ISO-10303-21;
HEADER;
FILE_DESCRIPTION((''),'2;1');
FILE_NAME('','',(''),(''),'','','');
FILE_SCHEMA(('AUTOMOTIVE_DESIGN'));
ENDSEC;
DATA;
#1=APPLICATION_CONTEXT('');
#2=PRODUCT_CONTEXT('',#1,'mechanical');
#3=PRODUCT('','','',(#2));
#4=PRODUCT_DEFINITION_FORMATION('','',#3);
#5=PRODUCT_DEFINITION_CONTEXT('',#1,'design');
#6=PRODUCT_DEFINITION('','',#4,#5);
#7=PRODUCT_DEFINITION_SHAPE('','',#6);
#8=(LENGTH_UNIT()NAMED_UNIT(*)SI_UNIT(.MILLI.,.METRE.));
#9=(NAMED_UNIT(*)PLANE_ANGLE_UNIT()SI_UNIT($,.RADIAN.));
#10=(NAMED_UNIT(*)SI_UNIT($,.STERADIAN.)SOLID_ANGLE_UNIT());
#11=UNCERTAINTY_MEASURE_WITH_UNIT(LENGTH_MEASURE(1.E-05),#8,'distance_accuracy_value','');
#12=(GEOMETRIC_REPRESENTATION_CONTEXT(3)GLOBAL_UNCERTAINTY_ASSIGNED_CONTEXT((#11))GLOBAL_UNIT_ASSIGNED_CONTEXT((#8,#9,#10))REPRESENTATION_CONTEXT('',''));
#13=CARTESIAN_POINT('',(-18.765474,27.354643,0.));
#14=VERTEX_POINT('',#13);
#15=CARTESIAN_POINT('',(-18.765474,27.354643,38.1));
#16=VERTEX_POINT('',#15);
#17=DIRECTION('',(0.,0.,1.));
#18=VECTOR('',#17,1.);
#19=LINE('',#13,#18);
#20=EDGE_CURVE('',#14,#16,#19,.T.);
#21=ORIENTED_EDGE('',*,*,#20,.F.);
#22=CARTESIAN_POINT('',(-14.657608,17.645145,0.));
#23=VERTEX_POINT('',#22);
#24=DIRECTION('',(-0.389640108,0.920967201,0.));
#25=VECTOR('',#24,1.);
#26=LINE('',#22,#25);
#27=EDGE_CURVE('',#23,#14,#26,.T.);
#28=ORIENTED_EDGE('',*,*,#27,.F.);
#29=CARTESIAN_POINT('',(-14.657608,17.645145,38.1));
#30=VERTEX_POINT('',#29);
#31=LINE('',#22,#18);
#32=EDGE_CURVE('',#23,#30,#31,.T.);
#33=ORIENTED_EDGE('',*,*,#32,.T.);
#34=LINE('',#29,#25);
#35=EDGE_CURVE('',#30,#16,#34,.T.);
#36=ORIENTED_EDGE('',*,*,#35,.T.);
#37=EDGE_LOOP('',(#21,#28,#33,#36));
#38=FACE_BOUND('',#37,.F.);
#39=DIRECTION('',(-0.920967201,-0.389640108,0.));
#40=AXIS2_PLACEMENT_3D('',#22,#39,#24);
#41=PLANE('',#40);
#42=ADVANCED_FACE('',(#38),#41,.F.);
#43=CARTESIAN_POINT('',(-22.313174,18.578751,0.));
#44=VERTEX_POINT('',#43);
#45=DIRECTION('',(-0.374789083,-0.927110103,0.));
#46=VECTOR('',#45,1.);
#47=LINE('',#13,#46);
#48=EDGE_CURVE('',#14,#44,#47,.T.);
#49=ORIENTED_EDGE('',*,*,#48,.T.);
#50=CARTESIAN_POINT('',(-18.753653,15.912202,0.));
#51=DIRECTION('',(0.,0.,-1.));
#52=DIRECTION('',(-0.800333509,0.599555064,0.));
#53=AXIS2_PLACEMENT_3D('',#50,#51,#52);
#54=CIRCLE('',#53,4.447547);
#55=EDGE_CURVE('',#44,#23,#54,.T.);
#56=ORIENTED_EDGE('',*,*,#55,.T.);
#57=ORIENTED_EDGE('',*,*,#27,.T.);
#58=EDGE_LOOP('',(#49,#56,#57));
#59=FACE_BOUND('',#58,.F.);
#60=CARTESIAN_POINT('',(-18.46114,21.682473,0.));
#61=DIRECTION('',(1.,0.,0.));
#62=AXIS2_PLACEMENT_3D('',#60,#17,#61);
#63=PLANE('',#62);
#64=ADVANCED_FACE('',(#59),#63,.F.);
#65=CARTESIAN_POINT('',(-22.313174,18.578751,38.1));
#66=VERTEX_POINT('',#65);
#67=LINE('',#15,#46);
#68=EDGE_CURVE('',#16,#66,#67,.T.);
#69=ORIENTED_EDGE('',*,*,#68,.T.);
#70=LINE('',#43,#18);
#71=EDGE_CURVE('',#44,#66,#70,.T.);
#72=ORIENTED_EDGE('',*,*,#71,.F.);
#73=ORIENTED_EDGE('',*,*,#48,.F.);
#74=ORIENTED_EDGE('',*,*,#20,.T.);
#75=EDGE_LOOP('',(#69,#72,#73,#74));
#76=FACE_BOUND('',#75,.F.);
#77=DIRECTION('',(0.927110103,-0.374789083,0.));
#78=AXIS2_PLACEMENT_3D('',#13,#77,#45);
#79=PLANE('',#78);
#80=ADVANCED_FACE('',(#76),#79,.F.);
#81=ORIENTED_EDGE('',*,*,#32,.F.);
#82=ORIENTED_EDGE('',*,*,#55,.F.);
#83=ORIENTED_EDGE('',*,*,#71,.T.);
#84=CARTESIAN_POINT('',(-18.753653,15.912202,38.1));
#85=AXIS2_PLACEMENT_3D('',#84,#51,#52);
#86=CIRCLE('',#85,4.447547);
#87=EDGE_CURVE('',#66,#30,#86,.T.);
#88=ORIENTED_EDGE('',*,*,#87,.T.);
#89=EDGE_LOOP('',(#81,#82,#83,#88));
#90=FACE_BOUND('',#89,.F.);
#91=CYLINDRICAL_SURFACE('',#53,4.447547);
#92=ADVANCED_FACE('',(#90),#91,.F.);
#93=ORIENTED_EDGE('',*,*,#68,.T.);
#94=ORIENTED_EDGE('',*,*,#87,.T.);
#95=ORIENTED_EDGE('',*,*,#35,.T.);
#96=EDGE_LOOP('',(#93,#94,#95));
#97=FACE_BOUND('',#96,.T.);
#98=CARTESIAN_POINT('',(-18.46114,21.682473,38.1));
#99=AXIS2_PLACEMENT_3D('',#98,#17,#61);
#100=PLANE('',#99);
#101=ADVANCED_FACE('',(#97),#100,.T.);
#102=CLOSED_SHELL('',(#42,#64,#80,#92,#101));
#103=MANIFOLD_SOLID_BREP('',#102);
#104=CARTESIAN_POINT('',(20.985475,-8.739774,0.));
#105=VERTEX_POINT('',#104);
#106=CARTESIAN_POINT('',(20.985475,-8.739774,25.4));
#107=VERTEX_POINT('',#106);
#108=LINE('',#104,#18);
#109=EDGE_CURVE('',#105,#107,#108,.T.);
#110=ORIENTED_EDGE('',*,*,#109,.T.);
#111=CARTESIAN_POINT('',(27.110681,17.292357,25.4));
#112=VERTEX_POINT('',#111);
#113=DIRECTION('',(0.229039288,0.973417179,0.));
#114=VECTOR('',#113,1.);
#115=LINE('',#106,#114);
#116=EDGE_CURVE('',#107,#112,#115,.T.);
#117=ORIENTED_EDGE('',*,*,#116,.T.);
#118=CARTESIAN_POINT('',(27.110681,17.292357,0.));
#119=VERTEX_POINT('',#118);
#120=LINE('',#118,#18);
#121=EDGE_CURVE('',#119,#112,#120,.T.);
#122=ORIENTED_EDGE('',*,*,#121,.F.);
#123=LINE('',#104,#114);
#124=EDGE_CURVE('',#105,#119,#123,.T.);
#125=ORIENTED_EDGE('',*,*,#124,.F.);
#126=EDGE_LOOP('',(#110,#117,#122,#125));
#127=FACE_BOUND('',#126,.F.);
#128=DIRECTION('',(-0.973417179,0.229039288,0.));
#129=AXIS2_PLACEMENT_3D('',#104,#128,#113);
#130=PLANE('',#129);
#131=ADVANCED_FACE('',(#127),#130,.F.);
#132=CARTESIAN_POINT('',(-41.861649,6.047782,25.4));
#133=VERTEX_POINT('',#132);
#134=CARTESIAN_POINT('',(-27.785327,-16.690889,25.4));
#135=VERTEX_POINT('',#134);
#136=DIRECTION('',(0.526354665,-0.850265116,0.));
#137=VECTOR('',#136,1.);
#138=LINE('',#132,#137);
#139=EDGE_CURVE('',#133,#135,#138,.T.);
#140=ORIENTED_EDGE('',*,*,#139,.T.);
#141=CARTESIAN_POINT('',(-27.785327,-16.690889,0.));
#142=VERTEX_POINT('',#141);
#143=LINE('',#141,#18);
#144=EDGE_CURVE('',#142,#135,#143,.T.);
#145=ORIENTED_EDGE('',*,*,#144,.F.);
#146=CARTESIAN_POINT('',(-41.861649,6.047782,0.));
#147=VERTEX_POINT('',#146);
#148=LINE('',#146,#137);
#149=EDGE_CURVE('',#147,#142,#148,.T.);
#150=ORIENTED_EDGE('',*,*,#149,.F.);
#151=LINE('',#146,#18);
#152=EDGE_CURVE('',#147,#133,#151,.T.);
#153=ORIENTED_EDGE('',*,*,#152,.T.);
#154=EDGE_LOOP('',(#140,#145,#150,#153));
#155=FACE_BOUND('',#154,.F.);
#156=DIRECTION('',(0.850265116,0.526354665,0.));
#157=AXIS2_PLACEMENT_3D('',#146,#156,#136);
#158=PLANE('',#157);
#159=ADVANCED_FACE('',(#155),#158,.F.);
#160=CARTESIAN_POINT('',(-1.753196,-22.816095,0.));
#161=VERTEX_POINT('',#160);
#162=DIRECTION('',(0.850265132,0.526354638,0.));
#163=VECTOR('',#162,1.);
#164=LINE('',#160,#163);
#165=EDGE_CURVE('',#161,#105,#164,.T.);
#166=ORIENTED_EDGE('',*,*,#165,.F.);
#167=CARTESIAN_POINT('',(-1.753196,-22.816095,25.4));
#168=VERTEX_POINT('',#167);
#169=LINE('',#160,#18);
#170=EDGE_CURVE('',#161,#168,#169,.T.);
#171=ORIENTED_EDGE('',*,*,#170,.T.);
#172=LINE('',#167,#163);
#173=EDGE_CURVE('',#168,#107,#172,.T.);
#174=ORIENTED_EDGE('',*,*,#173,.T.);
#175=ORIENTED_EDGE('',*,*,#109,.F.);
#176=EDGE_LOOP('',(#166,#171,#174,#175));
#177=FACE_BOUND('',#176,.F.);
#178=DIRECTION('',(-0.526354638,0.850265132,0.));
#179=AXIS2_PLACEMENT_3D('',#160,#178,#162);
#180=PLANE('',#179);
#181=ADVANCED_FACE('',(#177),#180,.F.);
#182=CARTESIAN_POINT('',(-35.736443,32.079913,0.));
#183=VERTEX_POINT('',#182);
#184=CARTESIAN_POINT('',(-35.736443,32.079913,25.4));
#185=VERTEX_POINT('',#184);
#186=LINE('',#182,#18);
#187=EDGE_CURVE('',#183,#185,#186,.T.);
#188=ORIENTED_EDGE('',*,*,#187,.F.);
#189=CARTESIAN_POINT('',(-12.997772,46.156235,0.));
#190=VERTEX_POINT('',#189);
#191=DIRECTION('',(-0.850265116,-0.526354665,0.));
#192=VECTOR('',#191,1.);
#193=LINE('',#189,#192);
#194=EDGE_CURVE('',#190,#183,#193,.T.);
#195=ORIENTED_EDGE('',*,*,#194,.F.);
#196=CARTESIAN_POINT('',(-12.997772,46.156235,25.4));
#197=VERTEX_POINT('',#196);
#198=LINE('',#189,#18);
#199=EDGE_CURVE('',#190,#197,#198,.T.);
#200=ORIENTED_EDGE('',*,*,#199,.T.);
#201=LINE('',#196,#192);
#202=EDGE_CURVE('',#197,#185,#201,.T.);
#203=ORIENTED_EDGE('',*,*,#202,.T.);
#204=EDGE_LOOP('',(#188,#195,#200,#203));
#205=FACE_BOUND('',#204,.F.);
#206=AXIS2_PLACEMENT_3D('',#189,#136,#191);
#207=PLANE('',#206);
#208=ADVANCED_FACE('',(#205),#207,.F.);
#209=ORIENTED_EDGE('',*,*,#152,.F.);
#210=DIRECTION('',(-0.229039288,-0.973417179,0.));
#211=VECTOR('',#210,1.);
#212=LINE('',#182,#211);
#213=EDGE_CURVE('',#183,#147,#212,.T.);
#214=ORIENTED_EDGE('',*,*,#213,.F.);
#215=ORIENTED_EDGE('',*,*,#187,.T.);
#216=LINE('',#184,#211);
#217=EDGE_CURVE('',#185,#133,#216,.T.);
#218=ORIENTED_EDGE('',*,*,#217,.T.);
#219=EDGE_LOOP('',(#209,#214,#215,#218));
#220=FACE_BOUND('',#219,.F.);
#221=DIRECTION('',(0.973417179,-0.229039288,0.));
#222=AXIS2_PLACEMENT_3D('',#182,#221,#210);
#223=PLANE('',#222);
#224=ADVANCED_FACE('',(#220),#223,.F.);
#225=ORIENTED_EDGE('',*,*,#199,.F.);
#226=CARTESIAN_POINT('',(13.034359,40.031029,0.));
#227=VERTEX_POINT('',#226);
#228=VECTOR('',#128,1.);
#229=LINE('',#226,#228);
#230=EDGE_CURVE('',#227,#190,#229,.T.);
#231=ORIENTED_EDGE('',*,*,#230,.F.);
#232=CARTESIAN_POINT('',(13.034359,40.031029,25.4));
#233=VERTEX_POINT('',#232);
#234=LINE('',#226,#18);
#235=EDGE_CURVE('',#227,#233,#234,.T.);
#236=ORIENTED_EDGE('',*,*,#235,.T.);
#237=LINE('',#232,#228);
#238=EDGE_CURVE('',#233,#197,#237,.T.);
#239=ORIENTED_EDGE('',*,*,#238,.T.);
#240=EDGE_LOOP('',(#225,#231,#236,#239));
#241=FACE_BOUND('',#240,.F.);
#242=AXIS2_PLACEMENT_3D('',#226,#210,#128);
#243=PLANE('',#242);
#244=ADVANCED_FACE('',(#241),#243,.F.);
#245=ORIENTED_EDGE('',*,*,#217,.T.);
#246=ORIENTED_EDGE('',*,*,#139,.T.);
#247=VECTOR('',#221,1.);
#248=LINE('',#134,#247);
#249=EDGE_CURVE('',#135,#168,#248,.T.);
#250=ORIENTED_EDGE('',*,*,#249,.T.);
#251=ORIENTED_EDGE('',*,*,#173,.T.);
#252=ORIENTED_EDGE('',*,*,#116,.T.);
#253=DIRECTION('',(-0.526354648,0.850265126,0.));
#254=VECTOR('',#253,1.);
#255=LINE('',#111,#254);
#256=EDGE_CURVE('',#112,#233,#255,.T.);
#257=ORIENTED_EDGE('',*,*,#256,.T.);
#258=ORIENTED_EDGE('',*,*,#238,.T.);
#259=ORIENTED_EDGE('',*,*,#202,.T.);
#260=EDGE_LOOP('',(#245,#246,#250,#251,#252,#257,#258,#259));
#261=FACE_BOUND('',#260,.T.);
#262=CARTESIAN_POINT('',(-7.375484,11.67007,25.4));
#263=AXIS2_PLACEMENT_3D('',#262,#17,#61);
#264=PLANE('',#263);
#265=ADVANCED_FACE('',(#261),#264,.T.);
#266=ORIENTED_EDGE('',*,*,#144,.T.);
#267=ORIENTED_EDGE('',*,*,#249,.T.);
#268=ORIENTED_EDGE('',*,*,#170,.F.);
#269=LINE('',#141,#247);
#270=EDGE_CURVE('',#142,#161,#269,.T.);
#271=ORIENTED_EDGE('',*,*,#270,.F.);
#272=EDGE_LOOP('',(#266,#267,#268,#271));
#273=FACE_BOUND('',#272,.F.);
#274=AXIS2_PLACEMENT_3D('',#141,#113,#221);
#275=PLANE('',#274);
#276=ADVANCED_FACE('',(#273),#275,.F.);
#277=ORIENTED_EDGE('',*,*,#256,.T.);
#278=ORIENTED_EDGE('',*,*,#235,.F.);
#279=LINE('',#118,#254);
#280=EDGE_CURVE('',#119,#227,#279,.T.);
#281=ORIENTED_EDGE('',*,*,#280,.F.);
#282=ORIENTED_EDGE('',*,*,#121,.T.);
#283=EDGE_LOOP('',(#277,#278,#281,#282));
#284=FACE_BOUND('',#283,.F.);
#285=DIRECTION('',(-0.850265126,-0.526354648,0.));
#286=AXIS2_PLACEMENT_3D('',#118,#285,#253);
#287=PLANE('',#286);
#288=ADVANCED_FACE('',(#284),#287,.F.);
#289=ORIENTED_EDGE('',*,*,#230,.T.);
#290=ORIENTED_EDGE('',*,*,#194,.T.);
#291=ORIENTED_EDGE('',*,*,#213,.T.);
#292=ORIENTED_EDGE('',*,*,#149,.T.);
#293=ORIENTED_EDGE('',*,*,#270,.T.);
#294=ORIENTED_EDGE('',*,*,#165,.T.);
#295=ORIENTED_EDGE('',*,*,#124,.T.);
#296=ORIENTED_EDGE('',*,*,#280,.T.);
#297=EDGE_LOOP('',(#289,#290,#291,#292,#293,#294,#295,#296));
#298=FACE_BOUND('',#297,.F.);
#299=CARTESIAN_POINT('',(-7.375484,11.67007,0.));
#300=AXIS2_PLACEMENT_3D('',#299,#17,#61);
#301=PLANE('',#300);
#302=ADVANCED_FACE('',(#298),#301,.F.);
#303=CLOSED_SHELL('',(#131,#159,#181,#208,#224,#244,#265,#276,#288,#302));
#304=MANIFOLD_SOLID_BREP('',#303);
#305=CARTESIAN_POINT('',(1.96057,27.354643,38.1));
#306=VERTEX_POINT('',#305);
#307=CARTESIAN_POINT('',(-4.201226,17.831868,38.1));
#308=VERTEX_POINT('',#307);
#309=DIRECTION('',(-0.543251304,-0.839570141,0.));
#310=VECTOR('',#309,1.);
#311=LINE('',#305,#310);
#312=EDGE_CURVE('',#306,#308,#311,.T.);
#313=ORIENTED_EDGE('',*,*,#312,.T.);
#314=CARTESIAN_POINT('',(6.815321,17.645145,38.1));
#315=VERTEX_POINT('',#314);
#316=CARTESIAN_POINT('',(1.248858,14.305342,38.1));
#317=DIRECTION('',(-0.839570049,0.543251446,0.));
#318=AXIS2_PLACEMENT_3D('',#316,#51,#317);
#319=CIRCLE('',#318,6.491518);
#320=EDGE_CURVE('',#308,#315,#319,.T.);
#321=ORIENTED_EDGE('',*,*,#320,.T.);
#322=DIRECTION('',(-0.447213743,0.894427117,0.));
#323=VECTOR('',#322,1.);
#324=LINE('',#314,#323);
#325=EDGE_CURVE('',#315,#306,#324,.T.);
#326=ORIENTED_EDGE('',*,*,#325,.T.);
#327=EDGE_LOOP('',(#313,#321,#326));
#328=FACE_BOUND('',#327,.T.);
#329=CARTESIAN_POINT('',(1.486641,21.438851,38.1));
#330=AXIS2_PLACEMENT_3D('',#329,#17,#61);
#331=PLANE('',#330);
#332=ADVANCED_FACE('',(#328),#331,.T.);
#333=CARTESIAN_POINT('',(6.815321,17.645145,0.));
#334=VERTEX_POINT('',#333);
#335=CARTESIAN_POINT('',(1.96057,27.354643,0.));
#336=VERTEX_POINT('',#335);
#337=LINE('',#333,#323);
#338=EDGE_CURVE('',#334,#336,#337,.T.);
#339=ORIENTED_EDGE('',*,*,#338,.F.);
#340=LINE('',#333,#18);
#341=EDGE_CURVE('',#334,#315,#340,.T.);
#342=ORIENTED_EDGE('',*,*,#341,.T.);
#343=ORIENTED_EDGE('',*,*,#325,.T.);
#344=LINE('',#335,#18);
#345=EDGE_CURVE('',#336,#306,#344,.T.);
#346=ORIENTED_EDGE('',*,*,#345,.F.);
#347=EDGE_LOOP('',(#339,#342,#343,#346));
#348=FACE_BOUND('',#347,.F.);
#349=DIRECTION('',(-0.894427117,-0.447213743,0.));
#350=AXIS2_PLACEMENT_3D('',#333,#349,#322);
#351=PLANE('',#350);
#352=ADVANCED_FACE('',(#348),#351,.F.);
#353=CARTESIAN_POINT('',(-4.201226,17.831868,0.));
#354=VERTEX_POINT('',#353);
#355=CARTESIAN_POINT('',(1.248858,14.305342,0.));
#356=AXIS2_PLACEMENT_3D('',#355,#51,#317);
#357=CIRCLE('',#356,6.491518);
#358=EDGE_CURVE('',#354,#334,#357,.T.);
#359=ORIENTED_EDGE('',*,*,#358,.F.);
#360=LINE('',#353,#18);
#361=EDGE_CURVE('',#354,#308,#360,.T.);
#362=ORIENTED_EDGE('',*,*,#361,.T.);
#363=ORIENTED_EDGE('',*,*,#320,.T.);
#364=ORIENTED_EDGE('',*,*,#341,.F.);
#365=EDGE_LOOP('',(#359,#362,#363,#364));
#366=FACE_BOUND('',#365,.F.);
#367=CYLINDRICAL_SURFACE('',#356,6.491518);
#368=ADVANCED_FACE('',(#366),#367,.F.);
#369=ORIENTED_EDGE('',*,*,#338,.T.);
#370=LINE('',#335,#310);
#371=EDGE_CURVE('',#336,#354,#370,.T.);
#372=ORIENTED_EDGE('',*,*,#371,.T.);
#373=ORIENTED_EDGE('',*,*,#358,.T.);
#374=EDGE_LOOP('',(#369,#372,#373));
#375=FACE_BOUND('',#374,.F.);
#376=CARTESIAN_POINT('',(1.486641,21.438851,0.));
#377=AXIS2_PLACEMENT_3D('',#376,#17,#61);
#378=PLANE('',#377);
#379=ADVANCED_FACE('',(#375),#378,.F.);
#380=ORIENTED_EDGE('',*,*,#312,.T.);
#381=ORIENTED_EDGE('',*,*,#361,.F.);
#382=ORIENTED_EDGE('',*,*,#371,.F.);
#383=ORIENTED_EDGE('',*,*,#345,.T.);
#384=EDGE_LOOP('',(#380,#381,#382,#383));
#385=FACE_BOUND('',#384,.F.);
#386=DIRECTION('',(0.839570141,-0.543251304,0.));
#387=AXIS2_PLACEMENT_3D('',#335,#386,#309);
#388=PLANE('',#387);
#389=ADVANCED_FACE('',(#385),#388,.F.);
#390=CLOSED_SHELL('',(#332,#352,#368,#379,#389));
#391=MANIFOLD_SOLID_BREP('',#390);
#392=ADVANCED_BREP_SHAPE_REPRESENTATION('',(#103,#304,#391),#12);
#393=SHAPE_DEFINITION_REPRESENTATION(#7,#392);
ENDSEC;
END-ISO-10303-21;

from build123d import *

# Parameters (mm, degrees)
F2_DEPTH = 38.1
F3_DEPTH = 25.4


with BuildPart() as f2:
    # F1 (on Top) → F2 (new body)
    with BuildSketch(Plane.XY):
        with BuildLine():
            Line((-18.765474, 27.354643), (-22.313174, 18.578751))
            ThreePointArc((-22.313174, 18.578751), (-18.215258, 20.327041), (-14.657608, 17.645145))
            Line((-14.657608, 17.645145), (-18.765474, 27.354643))
        make_face()
        with BuildLine():
            Line((1.96057, 27.354643), (-4.201226, 17.831868))
            ThreePointArc((-4.201226, 17.831868), (1.358869, 20.795927), (6.815321, 17.645145))
            Line((6.815321, 17.645145), (1.96057, 27.354643))
        make_face()
    extrude(amount=F2_DEPTH)


with BuildPart() as f3:
    # F0 (on Top) → F3 (new body)
    with BuildSketch(Plane.XY):
        Polygon((-1.753196, -22.816095), (20.985475, -8.739774), (27.110681, 17.292357), (13.034359, 40.031029), (-12.997772, 46.156235), (-35.736443, 32.079913), (-41.861649, 6.047782), (-27.785327, -16.690889), align=None)
    extrude(amount=F3_DEPTH)


solid = Compound([f2.part, f3.part])
